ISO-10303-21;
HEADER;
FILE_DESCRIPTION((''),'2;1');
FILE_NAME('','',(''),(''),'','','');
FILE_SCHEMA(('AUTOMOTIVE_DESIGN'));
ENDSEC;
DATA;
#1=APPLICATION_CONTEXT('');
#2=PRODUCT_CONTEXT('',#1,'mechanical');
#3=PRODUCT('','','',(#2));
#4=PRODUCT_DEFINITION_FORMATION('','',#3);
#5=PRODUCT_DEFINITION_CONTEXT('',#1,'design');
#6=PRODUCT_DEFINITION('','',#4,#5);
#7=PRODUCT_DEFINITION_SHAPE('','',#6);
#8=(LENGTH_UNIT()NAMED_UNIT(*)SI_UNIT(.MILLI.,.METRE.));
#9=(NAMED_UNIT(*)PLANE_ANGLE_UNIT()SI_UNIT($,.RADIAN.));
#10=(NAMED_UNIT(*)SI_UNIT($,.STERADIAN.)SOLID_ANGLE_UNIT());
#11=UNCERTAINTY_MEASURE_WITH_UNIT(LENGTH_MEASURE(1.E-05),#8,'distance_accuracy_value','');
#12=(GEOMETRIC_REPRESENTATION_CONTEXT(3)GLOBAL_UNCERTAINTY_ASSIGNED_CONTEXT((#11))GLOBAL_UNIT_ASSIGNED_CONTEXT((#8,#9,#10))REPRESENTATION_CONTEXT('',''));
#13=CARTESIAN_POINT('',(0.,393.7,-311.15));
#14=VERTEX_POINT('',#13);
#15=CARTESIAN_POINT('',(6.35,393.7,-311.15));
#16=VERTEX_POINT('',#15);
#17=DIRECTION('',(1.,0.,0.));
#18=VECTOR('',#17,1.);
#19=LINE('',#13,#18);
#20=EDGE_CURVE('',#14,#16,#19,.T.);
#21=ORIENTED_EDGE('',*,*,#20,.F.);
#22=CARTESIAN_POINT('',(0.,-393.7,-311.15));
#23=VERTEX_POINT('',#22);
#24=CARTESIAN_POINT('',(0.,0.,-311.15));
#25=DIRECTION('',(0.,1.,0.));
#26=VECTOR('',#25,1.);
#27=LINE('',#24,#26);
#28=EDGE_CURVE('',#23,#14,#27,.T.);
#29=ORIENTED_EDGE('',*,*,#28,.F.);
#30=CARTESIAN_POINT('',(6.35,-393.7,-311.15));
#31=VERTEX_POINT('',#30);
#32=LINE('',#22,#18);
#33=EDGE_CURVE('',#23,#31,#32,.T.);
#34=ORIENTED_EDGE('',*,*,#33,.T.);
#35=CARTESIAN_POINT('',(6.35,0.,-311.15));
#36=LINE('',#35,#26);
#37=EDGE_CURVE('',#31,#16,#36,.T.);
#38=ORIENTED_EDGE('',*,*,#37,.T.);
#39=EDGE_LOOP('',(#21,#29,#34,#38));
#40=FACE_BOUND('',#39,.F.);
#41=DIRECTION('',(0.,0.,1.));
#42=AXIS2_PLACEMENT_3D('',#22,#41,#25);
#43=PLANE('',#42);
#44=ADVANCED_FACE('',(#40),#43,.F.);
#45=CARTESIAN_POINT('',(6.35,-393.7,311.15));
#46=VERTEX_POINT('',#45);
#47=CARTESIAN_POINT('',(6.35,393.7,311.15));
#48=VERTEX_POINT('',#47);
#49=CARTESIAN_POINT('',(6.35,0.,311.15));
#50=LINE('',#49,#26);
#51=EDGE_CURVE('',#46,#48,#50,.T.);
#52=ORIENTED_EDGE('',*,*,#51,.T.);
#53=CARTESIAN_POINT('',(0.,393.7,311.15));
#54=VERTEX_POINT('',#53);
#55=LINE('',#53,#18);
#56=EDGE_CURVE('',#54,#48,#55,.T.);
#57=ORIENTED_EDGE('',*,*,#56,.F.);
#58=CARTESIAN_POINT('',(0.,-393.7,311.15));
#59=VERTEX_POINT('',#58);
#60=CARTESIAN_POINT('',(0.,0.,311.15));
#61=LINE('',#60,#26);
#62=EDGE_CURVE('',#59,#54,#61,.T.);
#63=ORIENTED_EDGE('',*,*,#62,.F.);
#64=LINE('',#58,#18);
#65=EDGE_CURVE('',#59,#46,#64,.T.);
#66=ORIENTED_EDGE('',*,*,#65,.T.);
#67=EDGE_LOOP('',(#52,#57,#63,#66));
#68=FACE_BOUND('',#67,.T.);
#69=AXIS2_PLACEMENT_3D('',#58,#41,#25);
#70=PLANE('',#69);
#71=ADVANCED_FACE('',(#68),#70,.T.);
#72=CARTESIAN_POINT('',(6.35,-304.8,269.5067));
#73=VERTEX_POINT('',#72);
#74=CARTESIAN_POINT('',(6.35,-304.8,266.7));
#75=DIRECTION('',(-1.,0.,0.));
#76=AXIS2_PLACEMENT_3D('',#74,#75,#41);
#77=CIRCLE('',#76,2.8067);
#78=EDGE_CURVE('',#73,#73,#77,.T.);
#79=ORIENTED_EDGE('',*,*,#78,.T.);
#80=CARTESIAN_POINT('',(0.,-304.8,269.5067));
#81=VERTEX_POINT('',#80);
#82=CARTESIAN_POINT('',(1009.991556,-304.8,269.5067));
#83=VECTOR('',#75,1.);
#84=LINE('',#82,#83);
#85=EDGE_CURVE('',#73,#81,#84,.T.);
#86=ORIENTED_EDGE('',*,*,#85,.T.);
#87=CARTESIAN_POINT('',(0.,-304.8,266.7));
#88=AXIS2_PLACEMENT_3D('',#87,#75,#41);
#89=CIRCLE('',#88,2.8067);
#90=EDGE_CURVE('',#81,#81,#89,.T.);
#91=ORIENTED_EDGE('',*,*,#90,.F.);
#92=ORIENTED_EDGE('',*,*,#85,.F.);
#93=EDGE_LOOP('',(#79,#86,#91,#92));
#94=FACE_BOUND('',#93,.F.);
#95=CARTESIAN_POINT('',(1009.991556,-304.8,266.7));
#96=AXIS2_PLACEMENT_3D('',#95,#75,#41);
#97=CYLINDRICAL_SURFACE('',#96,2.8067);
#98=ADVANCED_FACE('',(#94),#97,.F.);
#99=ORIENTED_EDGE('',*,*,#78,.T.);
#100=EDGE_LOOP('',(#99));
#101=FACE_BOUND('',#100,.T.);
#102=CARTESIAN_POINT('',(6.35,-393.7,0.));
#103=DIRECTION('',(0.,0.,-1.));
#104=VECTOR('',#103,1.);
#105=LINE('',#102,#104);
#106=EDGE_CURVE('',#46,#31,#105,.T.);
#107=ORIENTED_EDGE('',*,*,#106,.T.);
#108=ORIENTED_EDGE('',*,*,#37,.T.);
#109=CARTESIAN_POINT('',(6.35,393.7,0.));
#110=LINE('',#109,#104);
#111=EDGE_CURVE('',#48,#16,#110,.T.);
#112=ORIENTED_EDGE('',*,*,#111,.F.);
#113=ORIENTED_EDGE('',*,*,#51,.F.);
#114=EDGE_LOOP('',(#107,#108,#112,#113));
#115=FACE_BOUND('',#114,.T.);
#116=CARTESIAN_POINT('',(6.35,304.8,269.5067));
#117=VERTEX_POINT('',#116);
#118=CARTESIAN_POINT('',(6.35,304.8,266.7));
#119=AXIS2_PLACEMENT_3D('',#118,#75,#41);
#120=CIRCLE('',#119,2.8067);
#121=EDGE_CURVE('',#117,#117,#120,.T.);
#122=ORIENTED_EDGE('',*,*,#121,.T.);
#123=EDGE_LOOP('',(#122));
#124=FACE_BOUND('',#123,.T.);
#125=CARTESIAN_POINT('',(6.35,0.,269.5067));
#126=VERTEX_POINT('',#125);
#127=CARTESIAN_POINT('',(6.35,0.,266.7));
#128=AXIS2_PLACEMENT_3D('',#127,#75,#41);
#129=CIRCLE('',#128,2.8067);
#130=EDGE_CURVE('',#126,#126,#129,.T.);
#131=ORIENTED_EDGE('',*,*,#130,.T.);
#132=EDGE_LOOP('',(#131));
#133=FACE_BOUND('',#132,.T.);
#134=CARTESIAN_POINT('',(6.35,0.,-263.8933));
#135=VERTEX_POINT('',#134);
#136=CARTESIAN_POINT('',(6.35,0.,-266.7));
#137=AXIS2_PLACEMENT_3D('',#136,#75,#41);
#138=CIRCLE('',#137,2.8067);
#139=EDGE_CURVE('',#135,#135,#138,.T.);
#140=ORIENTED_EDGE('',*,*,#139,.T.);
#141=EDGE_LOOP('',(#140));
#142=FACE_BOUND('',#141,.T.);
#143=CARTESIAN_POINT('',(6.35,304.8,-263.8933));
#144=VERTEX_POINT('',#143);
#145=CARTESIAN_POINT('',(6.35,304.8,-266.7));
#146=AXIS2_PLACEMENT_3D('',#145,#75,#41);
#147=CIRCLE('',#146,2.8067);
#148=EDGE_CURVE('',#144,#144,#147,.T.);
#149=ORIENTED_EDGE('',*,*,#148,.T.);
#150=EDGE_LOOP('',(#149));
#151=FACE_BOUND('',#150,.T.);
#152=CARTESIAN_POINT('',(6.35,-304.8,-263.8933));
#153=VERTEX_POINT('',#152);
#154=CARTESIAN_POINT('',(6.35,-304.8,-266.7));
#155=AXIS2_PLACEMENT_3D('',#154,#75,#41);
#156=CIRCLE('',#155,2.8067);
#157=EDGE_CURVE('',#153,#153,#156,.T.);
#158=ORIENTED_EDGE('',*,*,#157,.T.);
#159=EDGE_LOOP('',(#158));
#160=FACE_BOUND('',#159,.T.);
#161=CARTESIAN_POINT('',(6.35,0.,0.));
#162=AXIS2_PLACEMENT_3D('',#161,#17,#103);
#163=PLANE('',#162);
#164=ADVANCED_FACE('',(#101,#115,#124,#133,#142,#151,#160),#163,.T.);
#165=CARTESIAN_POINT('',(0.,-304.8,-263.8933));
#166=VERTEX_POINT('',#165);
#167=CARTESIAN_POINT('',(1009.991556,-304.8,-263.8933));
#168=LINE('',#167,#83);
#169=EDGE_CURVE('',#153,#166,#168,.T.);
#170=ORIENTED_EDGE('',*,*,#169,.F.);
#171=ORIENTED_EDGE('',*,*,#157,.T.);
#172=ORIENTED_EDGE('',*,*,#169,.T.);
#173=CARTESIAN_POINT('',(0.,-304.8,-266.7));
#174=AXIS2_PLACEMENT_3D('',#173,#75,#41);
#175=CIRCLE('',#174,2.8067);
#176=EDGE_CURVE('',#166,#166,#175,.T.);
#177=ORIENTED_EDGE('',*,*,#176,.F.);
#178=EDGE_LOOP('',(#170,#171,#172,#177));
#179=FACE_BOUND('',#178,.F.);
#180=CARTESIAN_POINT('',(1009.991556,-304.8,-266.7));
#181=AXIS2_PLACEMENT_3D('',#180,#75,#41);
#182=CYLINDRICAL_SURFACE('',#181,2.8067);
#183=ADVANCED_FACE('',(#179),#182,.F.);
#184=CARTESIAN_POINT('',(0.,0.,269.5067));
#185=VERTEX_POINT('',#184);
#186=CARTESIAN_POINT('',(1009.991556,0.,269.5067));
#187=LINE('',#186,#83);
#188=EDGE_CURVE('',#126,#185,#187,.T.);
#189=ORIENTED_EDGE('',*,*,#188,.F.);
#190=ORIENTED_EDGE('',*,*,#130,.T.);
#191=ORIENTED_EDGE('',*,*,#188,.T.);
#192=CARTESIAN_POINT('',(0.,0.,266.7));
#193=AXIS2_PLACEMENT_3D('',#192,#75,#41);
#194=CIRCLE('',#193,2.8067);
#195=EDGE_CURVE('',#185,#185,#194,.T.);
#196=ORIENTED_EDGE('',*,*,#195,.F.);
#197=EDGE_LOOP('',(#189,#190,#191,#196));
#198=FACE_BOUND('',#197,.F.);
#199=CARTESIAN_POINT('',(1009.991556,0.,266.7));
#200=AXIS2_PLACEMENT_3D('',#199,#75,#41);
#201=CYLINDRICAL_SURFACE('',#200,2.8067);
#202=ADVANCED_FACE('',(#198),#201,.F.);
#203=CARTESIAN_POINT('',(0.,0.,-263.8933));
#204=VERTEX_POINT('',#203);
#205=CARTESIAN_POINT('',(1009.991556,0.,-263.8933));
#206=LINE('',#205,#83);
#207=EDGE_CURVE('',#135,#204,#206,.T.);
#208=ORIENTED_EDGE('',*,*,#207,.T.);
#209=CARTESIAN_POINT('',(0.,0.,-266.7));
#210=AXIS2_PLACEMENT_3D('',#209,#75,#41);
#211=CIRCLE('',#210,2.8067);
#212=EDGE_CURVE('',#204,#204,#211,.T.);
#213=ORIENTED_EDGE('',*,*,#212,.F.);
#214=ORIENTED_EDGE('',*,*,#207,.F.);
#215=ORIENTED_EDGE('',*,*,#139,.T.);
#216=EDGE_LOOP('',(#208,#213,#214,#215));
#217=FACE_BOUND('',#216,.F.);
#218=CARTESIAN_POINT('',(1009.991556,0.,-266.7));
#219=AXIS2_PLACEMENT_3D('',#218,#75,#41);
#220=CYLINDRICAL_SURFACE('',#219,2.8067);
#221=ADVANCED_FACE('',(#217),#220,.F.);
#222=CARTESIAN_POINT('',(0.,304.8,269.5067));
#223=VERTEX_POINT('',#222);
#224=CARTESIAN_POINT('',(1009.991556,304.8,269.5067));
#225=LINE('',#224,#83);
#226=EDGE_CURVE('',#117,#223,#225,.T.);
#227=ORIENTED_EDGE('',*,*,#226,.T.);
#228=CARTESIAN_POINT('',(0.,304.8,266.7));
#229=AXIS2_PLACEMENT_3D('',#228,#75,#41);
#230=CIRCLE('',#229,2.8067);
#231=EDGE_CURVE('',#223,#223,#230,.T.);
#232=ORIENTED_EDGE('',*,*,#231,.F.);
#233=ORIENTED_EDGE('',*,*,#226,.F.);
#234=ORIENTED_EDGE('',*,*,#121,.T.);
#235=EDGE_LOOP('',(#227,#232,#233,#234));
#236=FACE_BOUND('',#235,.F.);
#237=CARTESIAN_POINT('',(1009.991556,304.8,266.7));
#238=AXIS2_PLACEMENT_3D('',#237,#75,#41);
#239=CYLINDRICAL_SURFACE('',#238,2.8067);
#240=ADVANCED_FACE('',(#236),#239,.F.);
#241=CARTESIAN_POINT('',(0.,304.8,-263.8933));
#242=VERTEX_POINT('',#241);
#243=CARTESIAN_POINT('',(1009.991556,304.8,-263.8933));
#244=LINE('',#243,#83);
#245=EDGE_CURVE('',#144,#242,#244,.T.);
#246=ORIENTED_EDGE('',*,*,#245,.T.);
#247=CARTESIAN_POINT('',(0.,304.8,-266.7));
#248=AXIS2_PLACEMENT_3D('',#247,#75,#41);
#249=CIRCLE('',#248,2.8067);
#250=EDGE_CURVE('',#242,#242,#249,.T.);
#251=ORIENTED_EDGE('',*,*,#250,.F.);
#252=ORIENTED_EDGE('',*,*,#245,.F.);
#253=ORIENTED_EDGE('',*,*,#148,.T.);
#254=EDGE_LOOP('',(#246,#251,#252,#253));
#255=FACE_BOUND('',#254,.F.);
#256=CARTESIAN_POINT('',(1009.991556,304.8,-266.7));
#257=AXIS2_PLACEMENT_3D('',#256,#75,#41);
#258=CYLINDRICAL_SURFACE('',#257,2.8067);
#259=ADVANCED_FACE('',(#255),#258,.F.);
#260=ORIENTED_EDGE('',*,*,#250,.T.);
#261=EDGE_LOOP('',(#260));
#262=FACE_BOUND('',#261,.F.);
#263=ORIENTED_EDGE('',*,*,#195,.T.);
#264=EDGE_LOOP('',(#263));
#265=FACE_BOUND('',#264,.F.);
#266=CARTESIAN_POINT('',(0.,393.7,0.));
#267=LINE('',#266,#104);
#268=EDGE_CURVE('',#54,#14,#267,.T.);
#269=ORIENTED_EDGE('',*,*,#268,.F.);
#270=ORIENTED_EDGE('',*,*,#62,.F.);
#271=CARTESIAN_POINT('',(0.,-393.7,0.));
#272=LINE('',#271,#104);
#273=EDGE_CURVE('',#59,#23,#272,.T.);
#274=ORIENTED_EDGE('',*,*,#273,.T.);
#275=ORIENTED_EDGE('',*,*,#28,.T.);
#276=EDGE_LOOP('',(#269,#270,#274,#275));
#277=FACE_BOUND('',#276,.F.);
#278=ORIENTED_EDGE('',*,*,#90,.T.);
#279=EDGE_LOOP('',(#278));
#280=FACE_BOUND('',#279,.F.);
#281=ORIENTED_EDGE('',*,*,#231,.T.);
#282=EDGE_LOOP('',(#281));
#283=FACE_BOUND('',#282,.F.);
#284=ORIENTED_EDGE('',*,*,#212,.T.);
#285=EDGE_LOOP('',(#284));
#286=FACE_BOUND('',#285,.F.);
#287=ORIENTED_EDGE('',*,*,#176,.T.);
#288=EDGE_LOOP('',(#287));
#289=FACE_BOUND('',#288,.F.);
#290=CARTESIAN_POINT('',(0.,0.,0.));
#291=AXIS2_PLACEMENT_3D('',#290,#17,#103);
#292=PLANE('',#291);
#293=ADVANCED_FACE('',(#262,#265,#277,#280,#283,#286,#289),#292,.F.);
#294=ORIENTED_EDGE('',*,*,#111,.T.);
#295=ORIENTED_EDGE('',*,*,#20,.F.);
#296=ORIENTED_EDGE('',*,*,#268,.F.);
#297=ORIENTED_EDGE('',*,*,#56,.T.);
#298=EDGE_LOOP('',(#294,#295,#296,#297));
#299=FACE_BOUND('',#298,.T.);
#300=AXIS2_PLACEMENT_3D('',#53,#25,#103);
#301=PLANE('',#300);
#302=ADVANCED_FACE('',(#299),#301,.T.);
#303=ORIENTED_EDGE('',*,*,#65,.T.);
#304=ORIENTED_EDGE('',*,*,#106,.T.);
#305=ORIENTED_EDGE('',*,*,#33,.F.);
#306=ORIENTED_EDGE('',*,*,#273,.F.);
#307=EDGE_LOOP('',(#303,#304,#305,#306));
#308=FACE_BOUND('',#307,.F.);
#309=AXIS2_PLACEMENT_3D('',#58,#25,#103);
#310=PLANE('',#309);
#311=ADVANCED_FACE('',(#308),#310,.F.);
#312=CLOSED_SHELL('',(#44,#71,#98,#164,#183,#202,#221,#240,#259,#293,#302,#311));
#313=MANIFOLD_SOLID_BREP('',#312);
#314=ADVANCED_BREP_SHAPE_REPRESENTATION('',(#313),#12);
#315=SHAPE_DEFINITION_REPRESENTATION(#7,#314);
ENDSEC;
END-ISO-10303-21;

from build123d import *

# Parameters (mm, degrees)
SKETCH1_W              = 622.3
SKETCH1_H              = 787.4
BOSS_EXTRUDE1_DEPTH    = 6.35
F_10_CLEARANCE_HOLE1_D = 5.6134


with BuildPart() as part:
    # Sketch1 → Boss-Extrude1 (new body)
    with BuildSketch(Plane(origin=(0, 0, 0), x_dir=(0, 0, -1), z_dir=(1, 0, 0))):
        Rectangle(SKETCH1_W, SKETCH1_H)
    extrude(amount=BOSS_EXTRUDE1_DEPTH)

    # #10 Clearance Hole1 (through all)
    with Locations(Plane(origin=(6.35, 0, 0), x_dir=(0, 0, -1), z_dir=(1, 0, 0))):
        with Locations((-266.7, -304.8), (-266.7, 0), (-266.7, 304.8), (266.7, 304.8), (266.7, 0), (266.7, -304.8)):
            Hole(F_10_CLEARANCE_HOLE1_D / 2)


solid = part.part
